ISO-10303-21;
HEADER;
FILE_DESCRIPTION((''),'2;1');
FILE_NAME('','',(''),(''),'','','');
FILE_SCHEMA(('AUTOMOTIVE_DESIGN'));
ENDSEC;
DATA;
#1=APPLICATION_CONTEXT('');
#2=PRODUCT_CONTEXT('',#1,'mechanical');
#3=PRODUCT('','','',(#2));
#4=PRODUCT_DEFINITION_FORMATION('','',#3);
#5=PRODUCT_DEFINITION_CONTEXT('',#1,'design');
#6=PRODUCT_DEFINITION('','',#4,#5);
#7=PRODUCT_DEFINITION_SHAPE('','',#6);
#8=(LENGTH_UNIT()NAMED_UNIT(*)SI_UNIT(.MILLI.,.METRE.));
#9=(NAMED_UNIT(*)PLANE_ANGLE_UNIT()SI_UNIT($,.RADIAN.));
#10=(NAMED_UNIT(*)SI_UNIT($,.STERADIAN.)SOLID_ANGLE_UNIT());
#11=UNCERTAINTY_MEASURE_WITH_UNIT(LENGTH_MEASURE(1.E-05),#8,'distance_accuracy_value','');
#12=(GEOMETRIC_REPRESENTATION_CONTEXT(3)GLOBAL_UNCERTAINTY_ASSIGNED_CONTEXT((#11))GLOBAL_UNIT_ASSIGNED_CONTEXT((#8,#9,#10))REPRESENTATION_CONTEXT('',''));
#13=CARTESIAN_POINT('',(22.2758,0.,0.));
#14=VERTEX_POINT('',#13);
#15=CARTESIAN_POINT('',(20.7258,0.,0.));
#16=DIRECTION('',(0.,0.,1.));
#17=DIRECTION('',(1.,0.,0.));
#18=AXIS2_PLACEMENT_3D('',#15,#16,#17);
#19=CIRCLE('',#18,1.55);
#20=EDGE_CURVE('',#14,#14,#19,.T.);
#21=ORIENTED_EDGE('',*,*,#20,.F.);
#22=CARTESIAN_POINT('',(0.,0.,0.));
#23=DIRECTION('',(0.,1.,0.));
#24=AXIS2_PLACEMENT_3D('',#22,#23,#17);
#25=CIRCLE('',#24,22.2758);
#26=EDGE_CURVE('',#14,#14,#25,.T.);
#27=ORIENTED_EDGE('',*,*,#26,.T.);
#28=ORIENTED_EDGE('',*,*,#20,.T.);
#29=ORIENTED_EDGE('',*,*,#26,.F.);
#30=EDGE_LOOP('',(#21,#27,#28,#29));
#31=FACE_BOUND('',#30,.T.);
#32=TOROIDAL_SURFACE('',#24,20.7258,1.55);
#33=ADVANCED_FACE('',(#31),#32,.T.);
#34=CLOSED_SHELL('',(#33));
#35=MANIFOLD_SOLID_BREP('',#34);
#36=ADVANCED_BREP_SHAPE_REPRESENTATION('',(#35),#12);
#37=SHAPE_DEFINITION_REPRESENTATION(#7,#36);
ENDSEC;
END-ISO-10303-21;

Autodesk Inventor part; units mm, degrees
ref_plane "YZ Plane" through (0, 0, 0) normal (1, 0, 0) x (0, 1, 0)
ref_plane "XZ Plane" through (0, 0, 0) normal (0, 1, 0) x (-1, 0, 0)
ref_plane "XY Plane" through (0, 0, 0) normal (0, 0, 1) x (1, 0, 0)
sketch "Sketch1" plane through (0, 0, 0) normal (0, 0, 1) x (1, 0, 0)
  line L0 (0, 0) -> (19.1758, 0) construction
  circle A0 centre (20.7258, 0) radius 1.55
  line L1 (0, 0) -> (0, 6.35) construction
  point P0 (22.2758, 0)
  point P1 (22.2758, 0)
  dimension "d1" = 3.1
  dimension "d2" = 6.35
  dimension "d4" = 22.2758
revolve "Revolution1" add sketch "Sketch1" angle 360 about axis through (0, 0, 0) along (0, 1, 0)
properties part number "ORing 222 G40" material "Rubber"
